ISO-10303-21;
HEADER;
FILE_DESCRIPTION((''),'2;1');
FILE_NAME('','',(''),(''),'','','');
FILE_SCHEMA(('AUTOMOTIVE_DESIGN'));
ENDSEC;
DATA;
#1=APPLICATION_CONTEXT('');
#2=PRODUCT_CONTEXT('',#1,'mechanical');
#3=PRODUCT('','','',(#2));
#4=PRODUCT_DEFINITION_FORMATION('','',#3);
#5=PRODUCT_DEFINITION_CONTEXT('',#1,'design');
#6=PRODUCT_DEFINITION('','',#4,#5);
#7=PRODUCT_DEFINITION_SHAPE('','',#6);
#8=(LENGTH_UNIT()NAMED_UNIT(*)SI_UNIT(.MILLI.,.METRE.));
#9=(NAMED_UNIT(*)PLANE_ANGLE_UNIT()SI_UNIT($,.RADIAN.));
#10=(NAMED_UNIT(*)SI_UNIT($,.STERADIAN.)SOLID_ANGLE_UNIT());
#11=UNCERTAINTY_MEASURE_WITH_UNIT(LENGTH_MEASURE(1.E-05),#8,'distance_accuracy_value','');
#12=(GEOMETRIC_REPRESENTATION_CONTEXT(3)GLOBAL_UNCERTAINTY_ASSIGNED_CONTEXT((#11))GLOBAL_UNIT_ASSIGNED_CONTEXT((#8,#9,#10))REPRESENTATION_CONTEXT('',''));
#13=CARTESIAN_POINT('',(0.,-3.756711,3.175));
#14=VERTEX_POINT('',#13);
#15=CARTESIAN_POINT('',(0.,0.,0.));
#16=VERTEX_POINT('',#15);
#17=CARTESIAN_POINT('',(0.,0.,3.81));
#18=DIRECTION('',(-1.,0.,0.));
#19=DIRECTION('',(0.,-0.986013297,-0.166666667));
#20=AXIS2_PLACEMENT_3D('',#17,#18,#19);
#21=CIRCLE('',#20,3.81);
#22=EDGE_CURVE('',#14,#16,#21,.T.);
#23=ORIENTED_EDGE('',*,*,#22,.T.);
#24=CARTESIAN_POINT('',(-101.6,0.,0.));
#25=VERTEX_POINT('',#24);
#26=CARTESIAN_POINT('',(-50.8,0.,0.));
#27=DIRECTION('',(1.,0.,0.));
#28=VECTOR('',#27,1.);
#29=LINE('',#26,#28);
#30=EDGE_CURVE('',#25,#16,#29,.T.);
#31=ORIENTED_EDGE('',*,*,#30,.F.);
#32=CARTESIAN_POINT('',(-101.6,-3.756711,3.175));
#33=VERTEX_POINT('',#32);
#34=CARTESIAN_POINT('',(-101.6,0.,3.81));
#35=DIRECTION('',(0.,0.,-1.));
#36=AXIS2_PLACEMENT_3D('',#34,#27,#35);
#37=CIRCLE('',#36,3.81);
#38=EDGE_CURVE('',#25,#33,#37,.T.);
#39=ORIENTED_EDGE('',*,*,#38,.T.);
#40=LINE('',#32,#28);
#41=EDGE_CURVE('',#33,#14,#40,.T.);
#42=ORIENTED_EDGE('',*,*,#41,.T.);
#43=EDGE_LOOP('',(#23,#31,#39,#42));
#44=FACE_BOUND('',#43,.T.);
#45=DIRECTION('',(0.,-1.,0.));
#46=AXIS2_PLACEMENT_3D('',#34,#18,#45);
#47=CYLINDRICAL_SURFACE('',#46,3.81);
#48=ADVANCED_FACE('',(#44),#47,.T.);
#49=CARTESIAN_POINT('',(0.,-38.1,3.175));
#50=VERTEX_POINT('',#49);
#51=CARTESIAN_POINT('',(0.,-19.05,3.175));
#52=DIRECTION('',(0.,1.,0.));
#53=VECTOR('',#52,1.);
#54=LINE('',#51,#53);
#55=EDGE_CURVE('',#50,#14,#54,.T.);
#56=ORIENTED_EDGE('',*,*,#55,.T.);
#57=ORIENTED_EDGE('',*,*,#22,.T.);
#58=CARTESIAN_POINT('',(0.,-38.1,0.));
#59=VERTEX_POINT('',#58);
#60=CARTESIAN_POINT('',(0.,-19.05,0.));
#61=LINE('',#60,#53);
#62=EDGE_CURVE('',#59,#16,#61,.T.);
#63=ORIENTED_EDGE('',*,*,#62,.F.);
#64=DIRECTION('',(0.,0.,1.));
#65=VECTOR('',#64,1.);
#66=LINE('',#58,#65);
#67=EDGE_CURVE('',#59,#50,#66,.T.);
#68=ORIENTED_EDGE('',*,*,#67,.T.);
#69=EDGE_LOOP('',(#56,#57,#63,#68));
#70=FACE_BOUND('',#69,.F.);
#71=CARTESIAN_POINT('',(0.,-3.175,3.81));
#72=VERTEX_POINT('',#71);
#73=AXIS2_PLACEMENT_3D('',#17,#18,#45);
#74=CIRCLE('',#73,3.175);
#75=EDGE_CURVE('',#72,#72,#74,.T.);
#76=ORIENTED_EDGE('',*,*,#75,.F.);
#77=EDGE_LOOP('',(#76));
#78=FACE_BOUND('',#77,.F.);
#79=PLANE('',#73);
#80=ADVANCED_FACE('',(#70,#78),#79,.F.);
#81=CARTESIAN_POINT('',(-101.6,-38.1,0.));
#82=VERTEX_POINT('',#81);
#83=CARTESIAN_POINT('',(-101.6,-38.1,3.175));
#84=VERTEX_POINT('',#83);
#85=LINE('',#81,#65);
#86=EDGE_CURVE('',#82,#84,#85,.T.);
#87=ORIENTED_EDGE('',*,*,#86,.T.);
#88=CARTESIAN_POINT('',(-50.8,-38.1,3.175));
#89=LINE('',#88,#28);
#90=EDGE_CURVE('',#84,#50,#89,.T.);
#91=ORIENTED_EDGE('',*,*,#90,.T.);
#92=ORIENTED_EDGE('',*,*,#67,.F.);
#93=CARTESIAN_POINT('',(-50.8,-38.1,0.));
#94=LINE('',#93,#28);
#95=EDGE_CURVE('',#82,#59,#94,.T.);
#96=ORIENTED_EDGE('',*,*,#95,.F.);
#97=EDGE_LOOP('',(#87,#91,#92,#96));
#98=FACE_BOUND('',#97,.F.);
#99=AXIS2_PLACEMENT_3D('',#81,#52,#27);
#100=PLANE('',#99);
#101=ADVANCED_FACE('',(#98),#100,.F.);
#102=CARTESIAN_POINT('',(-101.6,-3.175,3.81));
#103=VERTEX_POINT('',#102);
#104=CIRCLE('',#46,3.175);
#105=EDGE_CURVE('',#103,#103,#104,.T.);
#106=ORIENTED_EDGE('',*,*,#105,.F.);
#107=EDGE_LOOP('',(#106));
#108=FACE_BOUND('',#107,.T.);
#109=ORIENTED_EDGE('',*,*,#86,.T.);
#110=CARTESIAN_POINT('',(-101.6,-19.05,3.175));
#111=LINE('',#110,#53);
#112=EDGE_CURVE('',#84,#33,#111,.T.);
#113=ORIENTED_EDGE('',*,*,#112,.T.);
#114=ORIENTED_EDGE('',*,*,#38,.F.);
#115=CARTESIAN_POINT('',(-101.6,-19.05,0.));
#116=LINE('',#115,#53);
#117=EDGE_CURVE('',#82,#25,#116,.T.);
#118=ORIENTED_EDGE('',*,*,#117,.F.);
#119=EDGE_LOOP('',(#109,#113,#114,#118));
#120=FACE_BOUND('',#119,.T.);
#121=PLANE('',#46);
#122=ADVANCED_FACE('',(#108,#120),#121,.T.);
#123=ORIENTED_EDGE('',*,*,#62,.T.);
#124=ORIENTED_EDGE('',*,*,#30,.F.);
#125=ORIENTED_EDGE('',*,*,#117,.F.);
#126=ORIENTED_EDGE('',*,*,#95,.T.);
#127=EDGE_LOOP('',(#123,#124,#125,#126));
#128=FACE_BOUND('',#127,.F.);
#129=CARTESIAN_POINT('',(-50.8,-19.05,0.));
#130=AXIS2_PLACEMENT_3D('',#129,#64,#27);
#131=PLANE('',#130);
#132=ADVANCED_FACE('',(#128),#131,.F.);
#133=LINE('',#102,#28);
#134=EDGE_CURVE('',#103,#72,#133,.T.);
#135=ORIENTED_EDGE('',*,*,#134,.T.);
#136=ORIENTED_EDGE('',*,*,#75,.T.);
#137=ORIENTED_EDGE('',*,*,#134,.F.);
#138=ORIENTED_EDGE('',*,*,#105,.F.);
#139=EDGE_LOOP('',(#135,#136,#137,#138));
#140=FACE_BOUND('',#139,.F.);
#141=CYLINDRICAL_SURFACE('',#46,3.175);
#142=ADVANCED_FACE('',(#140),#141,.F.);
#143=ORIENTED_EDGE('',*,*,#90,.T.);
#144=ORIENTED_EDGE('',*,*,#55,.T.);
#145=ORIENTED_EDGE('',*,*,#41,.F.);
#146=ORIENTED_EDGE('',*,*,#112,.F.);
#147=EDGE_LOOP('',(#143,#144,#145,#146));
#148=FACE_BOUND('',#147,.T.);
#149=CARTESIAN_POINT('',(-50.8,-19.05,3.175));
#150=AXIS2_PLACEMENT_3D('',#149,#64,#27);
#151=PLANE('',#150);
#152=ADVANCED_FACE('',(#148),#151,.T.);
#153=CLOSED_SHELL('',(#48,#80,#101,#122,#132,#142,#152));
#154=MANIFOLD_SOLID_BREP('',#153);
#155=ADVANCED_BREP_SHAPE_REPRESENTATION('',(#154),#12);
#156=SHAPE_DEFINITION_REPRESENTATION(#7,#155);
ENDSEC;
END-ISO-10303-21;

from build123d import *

# Parameters (mm, degrees)
F0_W     = 101.6
F0_H     = 38.1
F1_DEPTH = 3.175
F3_DEPTH = 254
F2_R     = 3.81
F2_R_2   = 3.175
F4_DEPTH = 101.6


with BuildPart() as f1:
    # F0 (on Top) → F1 (new body)
    with BuildSketch(Plane.XY):
        with Locations((-50.8, -19.05)):
            Rectangle(F0_W, F0_H)
    extrude(amount=F1_DEPTH)

    # F2 (on face) → F3 (cut)
    with BuildSketch(Plane(origin=(-101.6, 0, 0), x_dir=(0, -1, 0), z_dir=(-1, 0, 0))):
        with BuildLine():
            ThreePointArc((3.7567106623, 3.175), (3.7966542918, 3.4913839483), (3.81, 3.81))
            ThreePointArc((3.81, 3.81), (-2.6940768363, 6.5040768363), (0, 0))
            Line((0, 0), (0, 0.635))
            ThreePointArc((0, 0.635), (-2.2450640303, 6.0550640303), (3.175, 3.81))
            ThreePointArc((3.175, 3.81), (3.1589222858, 3.4908840456), (3.1108519733, 3.175))
            Line((3.1108519733, 3.175), (3.7567106623, 3.175))
        make_face()
        with BuildLine():
            Line((0, 0.635), (0, 0))
            ThreePointArc((0, 0), (2.4593444248, 0.9000644337), (3.7567106623, 3.175))
            Line((3.7567106623, 3.175), (3.1108519733, 3.175))
            ThreePointArc((3.1108519733, 3.175), (2.0080463142, 1.3506555752), (0, 0.635))
        make_face()
        with BuildLine():
            Line((0, 3.175), (0, 0.635))
            ThreePointArc((0, 0.635), (2.0080463142, 1.3506555752), (3.1108519733, 3.175))
            Line((3.1108519733, 3.175), (0, 3.175))
        make_face()
    extrude(amount=-F3_DEPTH, mode=Mode.SUBTRACT)

    # F2 (on face) → F4 (join, through all)
    with BuildSketch(Plane(origin=(-101.6, 0, 0), x_dir=(0, -1, 0), z_dir=(-1, 0, 0))):
        with Locations((0, 3.81)):
            Circle(F2_R)
        with Locations((0, 3.81)):
            Circle(F2_R_2, mode=Mode.SUBTRACT)
    extrude(amount=-F4_DEPTH)


solid = f1.part
